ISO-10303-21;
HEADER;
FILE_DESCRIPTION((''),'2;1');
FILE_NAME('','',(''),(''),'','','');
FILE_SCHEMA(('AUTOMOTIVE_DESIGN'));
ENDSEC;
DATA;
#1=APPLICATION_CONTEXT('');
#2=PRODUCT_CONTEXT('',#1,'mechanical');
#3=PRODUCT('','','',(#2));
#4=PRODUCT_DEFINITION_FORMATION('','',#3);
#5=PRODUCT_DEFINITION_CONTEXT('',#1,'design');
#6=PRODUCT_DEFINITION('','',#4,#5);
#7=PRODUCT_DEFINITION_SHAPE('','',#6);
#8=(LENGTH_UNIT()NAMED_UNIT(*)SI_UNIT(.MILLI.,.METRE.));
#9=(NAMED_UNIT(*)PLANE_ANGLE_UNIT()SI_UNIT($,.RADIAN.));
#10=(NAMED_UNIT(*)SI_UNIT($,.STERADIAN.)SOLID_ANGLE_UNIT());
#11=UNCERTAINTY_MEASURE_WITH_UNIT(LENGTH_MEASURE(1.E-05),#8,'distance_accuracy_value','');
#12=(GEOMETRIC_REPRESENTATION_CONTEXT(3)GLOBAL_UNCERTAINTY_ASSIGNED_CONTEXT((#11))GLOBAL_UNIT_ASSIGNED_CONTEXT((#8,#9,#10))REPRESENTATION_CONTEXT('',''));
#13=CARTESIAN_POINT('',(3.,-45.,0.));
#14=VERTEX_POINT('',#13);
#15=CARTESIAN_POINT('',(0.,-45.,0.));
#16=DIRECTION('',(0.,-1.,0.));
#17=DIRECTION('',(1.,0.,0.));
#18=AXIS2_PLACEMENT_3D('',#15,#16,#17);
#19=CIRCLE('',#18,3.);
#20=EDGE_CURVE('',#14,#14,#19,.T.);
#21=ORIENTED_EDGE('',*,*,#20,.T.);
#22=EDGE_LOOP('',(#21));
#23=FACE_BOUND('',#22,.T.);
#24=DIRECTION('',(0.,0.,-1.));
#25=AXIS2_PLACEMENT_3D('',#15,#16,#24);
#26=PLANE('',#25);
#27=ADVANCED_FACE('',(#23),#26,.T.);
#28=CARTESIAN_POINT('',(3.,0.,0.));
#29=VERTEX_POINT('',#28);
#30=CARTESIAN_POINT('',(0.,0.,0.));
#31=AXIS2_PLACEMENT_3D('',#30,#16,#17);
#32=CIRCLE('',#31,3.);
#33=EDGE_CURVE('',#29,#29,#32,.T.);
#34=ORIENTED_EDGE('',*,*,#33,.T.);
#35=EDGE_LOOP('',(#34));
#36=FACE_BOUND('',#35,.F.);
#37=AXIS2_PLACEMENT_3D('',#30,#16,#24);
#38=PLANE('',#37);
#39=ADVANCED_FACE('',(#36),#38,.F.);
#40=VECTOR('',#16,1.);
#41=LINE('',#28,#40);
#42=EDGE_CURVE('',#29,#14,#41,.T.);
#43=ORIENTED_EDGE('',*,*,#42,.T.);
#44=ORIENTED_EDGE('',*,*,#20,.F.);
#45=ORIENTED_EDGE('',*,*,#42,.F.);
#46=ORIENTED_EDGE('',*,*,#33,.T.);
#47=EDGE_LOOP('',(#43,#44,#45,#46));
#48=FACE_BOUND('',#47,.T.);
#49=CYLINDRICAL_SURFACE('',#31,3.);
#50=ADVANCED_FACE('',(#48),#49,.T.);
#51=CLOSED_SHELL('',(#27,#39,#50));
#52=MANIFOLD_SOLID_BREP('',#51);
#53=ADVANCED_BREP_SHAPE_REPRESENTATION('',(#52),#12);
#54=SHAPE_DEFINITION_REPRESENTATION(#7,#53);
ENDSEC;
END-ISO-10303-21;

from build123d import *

# Parameters (mm, degrees)
F0_R = 3


with BuildPart() as f2:
    # F2: sweep along a path in F1
    with BuildLine(Plane.YZ) as f2_path:
        Line((0, 0), (-45, 0))
    # F0 (on Front) → F2 (sweep)
    with BuildSketch(Plane.XZ):
        Circle(F0_R)
    sweep(path=f2_path.line)


solid = f2.part
